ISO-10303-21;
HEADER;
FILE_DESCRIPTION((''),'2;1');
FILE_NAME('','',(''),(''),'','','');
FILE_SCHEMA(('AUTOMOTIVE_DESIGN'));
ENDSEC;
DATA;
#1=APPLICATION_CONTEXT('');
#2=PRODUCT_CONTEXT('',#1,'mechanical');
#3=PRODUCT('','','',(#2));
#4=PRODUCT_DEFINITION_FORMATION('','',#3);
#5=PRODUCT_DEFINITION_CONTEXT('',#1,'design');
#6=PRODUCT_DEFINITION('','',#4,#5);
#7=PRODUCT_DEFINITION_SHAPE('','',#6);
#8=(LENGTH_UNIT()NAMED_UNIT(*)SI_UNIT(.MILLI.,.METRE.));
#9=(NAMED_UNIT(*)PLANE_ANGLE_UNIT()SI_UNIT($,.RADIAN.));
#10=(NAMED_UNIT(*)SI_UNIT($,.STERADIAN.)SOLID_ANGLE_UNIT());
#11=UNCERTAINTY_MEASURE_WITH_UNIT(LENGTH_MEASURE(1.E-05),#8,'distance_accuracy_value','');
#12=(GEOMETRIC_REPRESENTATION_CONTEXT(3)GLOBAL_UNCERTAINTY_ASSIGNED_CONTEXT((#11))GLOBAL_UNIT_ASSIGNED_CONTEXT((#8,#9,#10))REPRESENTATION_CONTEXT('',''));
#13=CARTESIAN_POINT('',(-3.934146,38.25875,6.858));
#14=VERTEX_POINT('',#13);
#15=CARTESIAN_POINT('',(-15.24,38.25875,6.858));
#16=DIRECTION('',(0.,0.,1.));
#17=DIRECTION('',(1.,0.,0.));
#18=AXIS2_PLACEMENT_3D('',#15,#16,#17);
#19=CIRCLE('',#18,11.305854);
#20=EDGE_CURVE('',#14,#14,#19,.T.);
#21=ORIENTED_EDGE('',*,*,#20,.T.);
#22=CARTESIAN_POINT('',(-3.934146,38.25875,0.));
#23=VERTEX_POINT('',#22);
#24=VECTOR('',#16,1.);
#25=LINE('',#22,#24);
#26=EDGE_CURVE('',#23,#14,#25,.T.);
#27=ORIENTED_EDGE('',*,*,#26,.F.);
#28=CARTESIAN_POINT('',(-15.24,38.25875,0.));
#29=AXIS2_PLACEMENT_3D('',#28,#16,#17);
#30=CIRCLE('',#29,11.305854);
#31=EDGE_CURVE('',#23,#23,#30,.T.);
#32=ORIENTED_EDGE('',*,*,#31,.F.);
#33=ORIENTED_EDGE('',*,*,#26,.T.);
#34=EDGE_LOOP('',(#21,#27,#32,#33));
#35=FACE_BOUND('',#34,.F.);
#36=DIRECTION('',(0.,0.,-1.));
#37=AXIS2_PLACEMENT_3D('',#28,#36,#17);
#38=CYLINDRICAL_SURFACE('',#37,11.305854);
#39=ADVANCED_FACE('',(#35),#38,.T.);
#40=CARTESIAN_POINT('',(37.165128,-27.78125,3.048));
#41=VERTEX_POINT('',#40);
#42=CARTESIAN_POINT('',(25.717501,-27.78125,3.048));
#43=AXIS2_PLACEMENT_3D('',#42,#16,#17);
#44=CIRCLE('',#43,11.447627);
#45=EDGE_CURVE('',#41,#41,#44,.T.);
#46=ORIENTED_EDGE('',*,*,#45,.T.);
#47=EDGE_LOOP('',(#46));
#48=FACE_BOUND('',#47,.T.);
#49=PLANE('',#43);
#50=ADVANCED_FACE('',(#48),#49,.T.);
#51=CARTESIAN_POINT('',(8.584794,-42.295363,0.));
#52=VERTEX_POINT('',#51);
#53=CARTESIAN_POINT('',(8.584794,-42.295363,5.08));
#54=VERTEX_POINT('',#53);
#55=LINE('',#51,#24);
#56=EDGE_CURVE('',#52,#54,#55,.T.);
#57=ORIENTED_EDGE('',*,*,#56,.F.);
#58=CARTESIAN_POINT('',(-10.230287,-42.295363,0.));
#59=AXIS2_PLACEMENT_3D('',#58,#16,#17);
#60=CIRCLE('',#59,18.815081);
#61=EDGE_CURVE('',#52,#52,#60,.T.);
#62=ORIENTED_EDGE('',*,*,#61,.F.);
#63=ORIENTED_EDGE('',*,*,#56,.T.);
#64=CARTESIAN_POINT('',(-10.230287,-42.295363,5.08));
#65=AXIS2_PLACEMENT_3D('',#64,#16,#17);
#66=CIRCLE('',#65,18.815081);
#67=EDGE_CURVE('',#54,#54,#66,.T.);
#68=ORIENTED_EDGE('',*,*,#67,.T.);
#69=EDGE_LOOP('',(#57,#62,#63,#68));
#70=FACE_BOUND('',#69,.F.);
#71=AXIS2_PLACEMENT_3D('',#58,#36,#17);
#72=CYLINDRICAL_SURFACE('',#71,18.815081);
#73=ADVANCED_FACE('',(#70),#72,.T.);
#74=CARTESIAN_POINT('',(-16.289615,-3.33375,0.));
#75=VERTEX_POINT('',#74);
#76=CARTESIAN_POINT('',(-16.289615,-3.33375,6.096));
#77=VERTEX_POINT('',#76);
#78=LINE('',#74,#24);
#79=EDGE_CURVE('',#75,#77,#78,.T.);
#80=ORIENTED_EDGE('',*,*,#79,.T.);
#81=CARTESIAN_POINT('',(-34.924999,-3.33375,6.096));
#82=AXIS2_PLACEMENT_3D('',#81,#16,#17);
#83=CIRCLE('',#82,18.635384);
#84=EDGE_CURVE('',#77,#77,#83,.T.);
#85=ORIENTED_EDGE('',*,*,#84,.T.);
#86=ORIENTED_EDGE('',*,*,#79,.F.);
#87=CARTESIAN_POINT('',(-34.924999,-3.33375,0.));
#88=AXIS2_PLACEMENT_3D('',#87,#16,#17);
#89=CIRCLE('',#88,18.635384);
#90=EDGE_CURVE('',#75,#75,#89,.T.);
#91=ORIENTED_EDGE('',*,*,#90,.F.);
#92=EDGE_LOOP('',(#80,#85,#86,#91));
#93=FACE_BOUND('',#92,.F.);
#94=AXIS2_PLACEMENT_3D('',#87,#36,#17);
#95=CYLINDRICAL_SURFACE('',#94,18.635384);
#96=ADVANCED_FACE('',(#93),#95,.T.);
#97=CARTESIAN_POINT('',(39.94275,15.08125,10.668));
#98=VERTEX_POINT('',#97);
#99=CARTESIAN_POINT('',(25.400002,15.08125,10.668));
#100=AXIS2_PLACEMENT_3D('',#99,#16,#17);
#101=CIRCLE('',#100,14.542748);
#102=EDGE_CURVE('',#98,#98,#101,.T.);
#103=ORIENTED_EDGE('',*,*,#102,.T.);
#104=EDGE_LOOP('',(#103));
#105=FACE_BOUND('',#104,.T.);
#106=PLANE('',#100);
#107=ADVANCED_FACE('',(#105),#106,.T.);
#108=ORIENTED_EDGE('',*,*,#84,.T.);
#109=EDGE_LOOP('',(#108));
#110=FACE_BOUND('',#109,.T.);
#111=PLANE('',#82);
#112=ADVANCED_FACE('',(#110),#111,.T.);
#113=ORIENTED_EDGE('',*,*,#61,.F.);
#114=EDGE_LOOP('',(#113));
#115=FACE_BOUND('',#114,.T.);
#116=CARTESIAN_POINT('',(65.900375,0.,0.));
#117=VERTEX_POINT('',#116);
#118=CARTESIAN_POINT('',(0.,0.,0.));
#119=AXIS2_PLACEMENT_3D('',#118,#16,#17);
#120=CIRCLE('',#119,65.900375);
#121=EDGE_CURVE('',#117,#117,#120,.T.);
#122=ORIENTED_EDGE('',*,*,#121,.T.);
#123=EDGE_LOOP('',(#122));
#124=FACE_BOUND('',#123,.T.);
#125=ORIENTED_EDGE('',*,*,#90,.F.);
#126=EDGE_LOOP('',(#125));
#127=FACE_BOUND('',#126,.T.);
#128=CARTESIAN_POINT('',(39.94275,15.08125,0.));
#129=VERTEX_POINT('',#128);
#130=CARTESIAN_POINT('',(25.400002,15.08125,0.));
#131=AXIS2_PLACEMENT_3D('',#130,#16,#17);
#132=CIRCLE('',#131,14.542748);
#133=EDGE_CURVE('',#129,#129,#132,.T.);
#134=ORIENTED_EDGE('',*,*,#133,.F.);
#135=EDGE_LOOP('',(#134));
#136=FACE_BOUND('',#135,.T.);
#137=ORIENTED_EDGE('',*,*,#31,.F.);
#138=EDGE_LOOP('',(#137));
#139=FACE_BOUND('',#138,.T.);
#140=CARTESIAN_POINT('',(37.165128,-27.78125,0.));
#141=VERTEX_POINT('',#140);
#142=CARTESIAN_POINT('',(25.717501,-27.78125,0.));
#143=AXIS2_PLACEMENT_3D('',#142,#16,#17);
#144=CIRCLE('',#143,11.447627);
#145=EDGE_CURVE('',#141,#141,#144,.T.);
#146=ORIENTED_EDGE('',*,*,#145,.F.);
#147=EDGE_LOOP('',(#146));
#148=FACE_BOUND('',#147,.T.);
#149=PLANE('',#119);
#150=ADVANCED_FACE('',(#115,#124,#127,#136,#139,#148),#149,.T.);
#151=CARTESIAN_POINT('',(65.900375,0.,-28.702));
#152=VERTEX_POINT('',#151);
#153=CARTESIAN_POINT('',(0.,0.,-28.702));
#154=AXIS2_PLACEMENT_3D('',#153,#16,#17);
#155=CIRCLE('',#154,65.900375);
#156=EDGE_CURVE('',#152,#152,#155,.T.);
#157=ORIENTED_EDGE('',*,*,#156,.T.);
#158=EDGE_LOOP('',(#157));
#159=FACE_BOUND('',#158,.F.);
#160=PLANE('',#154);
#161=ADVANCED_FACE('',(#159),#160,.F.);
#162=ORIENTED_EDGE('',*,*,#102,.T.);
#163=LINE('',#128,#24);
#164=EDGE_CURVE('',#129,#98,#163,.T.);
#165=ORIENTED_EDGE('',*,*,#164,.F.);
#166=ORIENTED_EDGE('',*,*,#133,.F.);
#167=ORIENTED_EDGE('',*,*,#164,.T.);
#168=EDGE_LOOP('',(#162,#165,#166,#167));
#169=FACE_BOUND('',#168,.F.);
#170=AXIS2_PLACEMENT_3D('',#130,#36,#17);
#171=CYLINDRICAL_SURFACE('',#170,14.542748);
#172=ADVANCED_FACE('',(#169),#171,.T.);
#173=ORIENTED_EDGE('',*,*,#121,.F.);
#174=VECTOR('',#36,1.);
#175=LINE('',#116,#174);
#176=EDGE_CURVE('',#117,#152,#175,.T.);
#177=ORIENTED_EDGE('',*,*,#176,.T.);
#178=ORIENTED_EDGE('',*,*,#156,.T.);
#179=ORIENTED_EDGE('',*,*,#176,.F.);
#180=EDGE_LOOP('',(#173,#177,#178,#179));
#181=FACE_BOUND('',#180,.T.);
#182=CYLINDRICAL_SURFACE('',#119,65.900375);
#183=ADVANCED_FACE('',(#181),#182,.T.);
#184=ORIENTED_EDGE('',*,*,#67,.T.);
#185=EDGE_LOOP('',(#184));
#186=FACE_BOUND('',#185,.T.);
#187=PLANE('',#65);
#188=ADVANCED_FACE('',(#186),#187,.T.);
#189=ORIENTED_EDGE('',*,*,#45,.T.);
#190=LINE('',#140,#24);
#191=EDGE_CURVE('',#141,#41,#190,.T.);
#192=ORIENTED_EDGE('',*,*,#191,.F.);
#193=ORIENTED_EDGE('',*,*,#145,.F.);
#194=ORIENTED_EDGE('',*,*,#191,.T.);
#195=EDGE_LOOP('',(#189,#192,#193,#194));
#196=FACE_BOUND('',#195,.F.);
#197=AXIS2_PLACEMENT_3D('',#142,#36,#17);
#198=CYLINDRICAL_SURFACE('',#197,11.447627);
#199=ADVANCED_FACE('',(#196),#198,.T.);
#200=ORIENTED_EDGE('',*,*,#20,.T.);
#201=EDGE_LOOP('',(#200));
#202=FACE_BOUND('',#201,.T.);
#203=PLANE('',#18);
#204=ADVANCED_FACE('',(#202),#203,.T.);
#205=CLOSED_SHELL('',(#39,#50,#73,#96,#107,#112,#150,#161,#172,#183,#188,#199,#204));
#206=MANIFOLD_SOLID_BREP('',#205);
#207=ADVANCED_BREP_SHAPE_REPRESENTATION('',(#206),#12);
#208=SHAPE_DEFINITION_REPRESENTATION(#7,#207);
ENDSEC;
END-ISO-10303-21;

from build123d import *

# Parameters (mm, degrees)
F0_R      = 65.900375
F1_DEPTH  = 28.702
F2_R      = 11.305854
F3_DEPTH  = 6.858
F4_R      = 18.635384
F5_DEPTH  = 6.096
F6_R      = 14.542748
F7_DEPTH  = 10.668
F8_R      = 11.447627
F9_DEPTH  = 3.048
F10_R     = 18.815081
F11_DEPTH = 5.08


with BuildPart() as f1:
    # F0 (on Top) → F1 (new body)
    with BuildSketch(Plane.XY):
        Circle(F0_R)
    extrude(amount=-F1_DEPTH)

    # F2 (on Top) → F3 (join)
    with BuildSketch(Plane.XY):
        with Locations((-15.24, 38.25875)):
            Circle(F2_R)
    extrude(amount=F3_DEPTH)

    # F4 (on Top) → F5 (join)
    with BuildSketch(Plane.XY):
        with Locations((-34.924999, -3.33375)):
            Circle(F4_R)
    extrude(amount=F5_DEPTH)

    # F6 (on Top) → F7 (join)
    with BuildSketch(Plane.XY):
        with Locations((25.400002, 15.08125)):
            Circle(F6_R)
    extrude(amount=F7_DEPTH)

    # F8 (on Top) → F9 (join)
    with BuildSketch(Plane.XY):
        with Locations((25.717501, -27.78125)):
            Circle(F8_R)
    extrude(amount=F9_DEPTH)

    # F10 (on Top) → F11 (join)
    with BuildSketch(Plane.XY):
        with Locations((-10.230287, -42.295363)):
            Circle(F10_R)
    extrude(amount=F11_DEPTH)


solid = f1.part
